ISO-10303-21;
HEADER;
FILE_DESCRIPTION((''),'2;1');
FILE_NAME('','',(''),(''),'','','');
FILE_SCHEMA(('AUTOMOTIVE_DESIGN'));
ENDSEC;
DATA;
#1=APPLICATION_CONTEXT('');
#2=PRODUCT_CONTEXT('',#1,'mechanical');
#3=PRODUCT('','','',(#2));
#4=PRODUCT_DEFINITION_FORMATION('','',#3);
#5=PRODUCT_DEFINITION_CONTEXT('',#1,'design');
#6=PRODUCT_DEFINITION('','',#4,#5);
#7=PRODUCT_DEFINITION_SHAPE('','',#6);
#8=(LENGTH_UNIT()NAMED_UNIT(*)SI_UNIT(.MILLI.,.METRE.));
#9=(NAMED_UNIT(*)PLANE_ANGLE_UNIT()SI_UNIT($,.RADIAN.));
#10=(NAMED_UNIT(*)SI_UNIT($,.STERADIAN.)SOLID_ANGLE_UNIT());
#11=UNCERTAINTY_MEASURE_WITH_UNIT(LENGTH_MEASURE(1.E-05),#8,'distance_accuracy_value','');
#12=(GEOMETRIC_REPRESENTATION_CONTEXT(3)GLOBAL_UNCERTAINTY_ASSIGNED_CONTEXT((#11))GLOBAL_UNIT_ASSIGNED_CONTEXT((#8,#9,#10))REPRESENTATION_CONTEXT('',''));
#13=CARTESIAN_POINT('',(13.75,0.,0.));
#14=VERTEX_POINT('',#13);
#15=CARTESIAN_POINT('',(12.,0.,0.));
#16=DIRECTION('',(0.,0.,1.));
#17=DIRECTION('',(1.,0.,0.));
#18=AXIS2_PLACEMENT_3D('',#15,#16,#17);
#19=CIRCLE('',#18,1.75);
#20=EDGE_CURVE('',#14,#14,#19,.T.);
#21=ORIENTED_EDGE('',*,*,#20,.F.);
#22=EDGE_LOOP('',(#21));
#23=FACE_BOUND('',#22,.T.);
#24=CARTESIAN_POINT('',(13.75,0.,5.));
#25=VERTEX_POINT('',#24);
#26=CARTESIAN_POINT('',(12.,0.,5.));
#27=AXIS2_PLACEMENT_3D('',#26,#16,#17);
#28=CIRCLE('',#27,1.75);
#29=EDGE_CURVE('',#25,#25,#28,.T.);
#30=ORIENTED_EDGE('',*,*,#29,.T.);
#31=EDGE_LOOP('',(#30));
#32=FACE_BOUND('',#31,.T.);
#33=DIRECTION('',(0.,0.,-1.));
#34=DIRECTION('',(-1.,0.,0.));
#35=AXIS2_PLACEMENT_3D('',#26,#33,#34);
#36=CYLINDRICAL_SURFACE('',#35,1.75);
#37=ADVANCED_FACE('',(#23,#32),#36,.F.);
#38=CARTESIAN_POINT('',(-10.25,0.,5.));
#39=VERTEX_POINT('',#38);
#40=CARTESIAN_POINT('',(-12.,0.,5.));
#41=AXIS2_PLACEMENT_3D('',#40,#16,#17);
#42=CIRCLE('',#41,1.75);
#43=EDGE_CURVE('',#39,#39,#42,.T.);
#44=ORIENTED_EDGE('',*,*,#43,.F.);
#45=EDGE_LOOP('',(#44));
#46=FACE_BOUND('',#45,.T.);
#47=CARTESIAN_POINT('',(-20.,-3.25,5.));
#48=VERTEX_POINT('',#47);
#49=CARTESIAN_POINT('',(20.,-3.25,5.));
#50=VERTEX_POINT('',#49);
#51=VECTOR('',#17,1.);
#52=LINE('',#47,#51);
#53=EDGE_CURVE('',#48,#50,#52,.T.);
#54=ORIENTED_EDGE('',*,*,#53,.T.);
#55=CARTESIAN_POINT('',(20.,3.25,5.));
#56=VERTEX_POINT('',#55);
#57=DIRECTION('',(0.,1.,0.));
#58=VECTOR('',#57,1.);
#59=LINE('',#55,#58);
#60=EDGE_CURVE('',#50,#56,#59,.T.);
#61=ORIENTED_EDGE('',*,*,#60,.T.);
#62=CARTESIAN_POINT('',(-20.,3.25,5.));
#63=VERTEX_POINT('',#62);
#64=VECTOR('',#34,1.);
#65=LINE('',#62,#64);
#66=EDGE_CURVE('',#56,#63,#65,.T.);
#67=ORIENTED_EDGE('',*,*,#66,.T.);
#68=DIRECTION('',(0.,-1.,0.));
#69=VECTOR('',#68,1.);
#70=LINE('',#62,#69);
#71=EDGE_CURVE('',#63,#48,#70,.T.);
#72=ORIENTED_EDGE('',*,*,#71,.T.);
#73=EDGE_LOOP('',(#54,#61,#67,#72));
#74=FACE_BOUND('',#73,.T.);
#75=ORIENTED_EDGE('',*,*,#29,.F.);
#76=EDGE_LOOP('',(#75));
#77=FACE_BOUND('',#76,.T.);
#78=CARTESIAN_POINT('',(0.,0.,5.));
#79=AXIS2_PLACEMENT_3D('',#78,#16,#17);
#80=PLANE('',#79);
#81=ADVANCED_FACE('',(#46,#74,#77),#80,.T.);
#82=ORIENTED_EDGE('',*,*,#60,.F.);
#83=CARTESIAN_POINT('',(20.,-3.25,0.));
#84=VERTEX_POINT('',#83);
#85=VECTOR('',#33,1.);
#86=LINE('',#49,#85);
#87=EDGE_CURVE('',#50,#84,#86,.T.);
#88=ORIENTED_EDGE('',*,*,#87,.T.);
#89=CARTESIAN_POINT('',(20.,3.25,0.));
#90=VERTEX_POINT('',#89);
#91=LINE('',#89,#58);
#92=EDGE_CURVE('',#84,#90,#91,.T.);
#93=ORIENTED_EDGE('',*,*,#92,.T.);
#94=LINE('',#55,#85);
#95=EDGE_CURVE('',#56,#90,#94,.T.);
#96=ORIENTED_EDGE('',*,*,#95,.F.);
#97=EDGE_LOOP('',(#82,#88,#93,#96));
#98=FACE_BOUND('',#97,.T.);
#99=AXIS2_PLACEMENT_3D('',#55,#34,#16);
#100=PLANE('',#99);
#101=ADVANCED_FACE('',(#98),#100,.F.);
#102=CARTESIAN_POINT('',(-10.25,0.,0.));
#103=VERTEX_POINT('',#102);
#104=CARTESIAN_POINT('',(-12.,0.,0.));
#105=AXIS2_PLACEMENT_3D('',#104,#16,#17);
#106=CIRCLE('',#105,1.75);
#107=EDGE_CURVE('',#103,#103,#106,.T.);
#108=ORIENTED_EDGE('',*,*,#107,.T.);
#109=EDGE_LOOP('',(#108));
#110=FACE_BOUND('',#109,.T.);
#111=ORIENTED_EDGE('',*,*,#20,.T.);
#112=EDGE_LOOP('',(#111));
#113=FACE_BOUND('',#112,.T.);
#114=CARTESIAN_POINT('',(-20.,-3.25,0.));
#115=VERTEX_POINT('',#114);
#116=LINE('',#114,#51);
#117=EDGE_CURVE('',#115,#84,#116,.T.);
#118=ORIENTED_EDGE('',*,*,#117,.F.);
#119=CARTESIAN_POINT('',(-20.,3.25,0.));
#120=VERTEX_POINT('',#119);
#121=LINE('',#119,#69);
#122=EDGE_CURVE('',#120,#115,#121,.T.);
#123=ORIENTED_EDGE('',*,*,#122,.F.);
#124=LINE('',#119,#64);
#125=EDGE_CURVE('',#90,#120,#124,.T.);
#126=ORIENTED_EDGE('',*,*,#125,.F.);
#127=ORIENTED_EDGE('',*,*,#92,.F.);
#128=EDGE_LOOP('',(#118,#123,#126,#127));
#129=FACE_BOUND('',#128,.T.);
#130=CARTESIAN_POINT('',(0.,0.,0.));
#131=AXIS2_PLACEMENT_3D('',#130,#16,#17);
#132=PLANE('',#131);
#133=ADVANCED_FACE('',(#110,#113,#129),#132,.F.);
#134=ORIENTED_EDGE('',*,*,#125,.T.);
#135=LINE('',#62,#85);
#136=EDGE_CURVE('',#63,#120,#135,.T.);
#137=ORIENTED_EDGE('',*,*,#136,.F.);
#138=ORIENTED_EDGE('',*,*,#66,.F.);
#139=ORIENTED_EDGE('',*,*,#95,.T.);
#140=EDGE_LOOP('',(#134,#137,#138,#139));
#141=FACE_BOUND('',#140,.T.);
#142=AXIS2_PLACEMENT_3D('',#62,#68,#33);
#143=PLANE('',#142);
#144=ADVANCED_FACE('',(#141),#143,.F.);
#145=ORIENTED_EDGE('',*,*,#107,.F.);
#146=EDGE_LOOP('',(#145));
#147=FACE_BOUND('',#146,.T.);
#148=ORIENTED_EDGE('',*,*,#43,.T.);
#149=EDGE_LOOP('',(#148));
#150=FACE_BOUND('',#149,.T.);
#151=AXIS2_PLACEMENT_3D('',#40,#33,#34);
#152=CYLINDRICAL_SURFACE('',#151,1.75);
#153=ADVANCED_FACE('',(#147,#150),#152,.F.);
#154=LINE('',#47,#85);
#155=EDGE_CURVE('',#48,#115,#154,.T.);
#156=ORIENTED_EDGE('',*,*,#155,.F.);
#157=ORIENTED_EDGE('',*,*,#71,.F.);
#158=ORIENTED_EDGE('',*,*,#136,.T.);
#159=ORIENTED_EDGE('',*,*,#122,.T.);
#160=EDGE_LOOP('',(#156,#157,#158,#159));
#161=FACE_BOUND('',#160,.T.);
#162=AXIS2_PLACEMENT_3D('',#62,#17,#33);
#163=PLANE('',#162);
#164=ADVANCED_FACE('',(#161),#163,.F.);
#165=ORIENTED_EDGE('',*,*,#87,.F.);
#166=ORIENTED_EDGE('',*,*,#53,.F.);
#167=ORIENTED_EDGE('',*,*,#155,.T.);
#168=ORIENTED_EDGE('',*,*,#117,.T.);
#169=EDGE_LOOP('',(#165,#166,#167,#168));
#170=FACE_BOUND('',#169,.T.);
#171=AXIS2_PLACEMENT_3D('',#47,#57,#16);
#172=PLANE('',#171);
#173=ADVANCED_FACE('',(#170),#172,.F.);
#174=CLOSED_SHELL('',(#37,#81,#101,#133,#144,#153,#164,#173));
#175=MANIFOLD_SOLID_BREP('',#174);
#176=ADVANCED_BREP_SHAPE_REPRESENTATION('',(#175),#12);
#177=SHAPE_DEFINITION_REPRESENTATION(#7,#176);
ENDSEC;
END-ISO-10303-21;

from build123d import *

# Parameters (mm, degrees)
SKETCH2_W           = 40
SKETCH2_H           = 6.5
SKETCH2_R           = 1.75
BOSS_EXTRUDE1_DEPTH = 5


with BuildPart() as part:
    # Sketch2 → Boss-Extrude1 (new body)
    with BuildSketch(Plane.XY):
        Rectangle(SKETCH2_W, SKETCH2_H)
        with Locations((-12, 0)):
            Circle(SKETCH2_R, mode=Mode.SUBTRACT)
        with Locations((12, 0)):
            Circle(SKETCH2_R, mode=Mode.SUBTRACT)
    extrude(amount=BOSS_EXTRUDE1_DEPTH)


solid = part.part
